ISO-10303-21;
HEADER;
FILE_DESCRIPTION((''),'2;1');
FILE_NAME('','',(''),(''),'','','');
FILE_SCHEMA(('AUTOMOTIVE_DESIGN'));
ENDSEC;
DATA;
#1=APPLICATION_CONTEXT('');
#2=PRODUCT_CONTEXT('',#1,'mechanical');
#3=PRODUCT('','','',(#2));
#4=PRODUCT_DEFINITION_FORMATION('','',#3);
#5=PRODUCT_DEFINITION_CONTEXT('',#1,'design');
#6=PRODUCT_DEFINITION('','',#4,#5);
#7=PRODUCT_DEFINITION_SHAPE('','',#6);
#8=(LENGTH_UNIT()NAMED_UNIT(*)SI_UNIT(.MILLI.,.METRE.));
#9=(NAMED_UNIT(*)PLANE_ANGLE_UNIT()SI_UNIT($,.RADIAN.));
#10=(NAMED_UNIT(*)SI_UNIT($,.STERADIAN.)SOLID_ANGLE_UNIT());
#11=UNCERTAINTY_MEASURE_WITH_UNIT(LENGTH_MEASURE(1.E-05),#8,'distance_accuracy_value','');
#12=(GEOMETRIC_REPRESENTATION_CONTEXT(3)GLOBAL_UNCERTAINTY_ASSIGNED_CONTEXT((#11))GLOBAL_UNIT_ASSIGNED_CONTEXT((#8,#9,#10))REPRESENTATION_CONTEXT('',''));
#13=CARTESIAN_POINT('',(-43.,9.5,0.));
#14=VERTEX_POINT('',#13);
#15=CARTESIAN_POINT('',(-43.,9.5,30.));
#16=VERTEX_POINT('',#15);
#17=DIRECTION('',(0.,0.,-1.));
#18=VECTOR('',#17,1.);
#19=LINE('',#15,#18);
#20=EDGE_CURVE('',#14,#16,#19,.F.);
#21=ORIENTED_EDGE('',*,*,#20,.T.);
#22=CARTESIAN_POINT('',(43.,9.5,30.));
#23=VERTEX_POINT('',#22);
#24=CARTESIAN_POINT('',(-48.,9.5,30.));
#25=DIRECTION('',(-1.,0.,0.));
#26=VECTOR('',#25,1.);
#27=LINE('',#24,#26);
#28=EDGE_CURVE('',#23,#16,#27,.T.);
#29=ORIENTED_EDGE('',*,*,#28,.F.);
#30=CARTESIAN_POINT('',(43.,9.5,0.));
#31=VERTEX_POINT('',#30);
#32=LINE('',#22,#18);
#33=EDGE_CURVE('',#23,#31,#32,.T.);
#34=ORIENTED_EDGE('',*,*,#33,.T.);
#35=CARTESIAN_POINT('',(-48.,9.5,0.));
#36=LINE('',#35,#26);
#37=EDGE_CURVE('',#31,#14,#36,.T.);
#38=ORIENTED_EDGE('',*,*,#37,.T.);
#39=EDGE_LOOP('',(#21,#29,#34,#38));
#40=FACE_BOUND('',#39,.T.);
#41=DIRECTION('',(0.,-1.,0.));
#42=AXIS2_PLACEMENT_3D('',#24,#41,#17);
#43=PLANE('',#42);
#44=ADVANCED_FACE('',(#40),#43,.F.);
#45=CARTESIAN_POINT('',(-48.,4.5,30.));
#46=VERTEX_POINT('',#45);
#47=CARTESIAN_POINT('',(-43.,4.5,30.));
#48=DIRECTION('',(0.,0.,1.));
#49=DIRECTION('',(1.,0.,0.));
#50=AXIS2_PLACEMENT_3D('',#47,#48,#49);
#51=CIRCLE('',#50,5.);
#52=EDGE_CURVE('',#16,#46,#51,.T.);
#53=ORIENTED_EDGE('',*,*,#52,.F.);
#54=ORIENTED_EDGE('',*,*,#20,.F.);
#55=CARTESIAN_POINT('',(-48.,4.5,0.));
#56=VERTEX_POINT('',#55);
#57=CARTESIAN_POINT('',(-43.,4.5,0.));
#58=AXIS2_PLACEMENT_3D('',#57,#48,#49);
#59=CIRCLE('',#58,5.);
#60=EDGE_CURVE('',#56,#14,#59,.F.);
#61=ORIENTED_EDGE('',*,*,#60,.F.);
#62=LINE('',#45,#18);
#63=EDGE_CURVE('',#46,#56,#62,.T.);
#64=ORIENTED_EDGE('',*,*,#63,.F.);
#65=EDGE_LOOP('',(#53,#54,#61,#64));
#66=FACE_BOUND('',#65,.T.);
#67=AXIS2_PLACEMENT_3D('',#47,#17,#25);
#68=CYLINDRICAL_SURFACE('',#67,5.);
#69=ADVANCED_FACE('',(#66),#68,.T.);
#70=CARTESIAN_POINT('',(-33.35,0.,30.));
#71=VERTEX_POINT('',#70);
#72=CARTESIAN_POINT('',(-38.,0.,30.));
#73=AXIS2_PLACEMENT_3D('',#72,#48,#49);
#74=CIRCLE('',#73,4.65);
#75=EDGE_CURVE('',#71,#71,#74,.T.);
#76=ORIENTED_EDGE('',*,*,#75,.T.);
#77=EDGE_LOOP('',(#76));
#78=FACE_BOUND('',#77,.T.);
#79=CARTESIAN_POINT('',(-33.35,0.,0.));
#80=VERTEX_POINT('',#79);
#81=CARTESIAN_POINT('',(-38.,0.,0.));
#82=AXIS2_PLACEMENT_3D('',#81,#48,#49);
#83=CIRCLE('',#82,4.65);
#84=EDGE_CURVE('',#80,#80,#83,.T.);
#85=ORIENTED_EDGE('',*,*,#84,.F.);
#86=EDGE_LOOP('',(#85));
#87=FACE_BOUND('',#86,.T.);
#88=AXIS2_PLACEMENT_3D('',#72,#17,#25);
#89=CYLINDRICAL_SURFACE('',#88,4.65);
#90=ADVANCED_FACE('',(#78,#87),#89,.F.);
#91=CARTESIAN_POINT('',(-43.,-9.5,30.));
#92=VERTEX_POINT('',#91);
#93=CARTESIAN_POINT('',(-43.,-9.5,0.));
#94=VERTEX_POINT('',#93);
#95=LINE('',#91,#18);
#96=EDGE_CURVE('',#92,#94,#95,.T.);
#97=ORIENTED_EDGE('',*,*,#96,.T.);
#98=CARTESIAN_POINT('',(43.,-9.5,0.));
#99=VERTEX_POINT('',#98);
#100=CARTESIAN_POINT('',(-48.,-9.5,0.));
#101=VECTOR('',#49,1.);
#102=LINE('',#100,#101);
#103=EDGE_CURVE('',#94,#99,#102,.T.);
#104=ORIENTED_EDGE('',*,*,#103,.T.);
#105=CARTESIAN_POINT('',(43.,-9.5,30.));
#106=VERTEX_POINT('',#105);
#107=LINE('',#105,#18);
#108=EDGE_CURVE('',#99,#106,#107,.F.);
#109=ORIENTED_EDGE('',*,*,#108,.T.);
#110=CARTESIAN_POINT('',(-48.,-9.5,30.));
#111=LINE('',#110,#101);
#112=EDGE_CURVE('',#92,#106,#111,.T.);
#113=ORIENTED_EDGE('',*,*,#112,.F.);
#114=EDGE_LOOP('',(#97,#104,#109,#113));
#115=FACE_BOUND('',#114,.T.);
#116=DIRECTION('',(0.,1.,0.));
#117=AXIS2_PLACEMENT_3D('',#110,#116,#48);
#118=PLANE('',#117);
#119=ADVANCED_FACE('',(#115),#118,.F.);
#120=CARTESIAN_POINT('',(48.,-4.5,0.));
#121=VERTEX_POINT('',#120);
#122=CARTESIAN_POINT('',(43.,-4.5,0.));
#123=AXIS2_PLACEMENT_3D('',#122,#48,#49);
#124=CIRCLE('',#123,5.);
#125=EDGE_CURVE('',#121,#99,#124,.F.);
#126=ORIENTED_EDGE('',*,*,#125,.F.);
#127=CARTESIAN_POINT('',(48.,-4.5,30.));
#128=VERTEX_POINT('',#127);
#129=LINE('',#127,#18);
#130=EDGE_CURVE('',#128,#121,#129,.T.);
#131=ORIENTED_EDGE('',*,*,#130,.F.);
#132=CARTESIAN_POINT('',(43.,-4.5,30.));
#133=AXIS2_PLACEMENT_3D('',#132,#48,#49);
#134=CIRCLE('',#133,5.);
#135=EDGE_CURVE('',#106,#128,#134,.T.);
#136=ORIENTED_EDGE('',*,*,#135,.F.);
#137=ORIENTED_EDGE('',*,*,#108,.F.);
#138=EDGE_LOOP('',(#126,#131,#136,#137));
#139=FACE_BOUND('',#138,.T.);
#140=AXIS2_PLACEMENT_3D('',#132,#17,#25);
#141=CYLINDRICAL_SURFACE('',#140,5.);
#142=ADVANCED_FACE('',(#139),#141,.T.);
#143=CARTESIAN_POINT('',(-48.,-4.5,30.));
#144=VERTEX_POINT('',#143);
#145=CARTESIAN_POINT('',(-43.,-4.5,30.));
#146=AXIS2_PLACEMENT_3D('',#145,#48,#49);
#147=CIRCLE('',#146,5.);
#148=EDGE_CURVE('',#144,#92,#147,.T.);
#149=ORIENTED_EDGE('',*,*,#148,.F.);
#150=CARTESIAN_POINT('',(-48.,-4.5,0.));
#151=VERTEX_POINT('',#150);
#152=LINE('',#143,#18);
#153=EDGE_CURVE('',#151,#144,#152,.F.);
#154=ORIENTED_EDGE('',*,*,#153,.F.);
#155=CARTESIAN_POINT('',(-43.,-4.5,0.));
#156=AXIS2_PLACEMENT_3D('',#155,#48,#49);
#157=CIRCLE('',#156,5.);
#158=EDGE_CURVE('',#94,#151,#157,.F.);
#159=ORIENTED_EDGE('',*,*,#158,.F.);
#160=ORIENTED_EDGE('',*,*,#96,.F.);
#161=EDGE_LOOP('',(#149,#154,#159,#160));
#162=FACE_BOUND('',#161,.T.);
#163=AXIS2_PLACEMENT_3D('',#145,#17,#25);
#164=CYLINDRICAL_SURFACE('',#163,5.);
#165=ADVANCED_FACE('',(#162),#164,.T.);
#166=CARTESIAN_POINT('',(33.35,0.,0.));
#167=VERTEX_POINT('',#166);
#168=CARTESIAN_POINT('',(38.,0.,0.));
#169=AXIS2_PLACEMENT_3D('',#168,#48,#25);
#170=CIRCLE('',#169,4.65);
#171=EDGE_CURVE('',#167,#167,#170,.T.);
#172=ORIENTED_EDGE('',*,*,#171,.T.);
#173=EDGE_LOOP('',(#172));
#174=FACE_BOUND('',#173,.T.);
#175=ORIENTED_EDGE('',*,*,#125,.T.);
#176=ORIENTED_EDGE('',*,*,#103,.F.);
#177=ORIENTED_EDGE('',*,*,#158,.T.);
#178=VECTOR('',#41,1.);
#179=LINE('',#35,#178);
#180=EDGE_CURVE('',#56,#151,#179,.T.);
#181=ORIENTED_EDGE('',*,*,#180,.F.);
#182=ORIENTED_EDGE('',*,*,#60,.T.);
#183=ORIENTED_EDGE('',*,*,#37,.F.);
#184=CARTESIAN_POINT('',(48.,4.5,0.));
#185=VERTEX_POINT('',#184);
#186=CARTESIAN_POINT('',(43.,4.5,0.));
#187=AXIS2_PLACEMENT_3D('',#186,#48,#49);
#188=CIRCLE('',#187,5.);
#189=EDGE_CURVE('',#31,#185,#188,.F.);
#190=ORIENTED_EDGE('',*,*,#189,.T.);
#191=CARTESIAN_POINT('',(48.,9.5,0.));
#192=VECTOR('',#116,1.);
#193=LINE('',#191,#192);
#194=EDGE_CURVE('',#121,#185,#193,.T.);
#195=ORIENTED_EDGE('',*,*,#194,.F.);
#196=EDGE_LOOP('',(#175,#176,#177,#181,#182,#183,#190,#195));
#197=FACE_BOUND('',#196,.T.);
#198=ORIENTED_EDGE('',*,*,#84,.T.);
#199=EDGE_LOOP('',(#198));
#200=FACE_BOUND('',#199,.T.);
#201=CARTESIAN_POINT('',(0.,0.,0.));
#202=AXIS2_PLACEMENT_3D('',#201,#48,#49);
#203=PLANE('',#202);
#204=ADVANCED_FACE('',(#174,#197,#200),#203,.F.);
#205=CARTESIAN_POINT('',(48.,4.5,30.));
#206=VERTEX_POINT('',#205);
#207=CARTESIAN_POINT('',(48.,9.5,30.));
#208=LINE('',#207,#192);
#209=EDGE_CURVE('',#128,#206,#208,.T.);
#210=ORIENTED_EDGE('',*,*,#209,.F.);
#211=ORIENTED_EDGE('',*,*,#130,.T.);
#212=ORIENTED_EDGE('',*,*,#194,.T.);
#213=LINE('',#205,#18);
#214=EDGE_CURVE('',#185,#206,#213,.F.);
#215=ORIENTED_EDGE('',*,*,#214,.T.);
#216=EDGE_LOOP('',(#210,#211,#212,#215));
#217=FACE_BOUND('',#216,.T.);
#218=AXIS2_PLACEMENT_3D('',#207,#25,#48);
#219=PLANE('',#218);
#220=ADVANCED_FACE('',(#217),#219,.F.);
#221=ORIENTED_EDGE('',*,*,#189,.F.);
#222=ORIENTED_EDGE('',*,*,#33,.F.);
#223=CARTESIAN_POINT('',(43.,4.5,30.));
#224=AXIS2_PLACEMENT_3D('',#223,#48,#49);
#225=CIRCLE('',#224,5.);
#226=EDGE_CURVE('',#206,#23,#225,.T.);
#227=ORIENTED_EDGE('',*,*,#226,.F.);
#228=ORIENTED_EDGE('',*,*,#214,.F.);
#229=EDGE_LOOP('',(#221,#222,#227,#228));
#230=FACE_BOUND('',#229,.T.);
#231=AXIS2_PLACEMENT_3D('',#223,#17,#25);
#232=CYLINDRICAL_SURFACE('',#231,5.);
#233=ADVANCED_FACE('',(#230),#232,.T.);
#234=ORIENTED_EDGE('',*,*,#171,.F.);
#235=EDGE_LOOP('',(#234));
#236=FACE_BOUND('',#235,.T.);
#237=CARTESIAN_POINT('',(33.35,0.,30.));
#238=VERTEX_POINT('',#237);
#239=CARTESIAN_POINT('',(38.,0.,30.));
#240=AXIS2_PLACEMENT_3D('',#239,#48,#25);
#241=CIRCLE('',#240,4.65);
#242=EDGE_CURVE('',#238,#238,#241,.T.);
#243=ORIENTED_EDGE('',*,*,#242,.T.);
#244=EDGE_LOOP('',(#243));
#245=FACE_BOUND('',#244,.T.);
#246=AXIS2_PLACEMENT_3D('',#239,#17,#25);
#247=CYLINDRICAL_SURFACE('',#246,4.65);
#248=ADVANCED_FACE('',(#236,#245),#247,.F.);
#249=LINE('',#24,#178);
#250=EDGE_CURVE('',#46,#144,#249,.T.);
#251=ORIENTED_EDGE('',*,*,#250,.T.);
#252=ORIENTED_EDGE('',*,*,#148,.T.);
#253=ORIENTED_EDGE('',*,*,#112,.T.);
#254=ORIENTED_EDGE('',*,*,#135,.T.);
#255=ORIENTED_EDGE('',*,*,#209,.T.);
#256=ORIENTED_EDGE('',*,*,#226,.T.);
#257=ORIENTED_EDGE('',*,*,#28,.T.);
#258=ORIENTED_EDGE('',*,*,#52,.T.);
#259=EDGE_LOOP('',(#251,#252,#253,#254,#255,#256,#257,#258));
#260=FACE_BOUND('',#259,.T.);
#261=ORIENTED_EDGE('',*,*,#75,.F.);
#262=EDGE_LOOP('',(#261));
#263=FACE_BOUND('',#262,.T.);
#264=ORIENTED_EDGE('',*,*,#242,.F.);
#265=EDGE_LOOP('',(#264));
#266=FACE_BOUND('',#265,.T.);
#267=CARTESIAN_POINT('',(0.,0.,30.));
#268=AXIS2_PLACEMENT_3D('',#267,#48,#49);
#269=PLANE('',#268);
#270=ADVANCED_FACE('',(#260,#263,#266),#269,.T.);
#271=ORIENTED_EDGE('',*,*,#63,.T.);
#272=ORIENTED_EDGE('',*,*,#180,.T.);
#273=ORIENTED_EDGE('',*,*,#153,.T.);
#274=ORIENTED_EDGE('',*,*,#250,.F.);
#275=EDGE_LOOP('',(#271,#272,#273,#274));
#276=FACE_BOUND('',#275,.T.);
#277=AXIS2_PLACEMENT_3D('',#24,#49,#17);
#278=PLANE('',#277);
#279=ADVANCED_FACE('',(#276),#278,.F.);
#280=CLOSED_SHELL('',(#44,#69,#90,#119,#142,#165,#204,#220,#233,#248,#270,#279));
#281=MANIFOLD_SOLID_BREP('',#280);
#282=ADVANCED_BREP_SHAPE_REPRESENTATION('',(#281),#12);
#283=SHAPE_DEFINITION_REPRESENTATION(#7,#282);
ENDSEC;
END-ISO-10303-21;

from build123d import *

# Parameters (mm, degrees)
SKETCH_1_W      = 96
SKETCH_1_H      = 19
SKETCH_1_R      = 4.65
EXTRUDE_1_DEPTH = 30
FILLET_1_R      = 5


with BuildPart() as part:
    # 草图1 → 凸台-拉伸1 (new body)
    with BuildSketch(Plane.XY):
        Rectangle(SKETCH_1_W, SKETCH_1_H)
        with Locations((-38, 0)):
            Circle(SKETCH_1_R, mode=Mode.SUBTRACT)
        with Locations(Location((38, 0, 0), (0, 0, 180))):
            Circle(SKETCH_1_R, mode=Mode.SUBTRACT)
    extrude(amount=EXTRUDE_1_DEPTH)

    # 圆角1
    fillet_1_edges = [part.edges().sort_by_distance(p)[0] for p in [
        (48, -9.5, 15),
        (-48, -9.5, 15),
        (-48, 9.5, 15),
        (48, 9.5, 15),
    ]]
    fillet(fillet_1_edges, radius=FILLET_1_R)


solid = part.part
